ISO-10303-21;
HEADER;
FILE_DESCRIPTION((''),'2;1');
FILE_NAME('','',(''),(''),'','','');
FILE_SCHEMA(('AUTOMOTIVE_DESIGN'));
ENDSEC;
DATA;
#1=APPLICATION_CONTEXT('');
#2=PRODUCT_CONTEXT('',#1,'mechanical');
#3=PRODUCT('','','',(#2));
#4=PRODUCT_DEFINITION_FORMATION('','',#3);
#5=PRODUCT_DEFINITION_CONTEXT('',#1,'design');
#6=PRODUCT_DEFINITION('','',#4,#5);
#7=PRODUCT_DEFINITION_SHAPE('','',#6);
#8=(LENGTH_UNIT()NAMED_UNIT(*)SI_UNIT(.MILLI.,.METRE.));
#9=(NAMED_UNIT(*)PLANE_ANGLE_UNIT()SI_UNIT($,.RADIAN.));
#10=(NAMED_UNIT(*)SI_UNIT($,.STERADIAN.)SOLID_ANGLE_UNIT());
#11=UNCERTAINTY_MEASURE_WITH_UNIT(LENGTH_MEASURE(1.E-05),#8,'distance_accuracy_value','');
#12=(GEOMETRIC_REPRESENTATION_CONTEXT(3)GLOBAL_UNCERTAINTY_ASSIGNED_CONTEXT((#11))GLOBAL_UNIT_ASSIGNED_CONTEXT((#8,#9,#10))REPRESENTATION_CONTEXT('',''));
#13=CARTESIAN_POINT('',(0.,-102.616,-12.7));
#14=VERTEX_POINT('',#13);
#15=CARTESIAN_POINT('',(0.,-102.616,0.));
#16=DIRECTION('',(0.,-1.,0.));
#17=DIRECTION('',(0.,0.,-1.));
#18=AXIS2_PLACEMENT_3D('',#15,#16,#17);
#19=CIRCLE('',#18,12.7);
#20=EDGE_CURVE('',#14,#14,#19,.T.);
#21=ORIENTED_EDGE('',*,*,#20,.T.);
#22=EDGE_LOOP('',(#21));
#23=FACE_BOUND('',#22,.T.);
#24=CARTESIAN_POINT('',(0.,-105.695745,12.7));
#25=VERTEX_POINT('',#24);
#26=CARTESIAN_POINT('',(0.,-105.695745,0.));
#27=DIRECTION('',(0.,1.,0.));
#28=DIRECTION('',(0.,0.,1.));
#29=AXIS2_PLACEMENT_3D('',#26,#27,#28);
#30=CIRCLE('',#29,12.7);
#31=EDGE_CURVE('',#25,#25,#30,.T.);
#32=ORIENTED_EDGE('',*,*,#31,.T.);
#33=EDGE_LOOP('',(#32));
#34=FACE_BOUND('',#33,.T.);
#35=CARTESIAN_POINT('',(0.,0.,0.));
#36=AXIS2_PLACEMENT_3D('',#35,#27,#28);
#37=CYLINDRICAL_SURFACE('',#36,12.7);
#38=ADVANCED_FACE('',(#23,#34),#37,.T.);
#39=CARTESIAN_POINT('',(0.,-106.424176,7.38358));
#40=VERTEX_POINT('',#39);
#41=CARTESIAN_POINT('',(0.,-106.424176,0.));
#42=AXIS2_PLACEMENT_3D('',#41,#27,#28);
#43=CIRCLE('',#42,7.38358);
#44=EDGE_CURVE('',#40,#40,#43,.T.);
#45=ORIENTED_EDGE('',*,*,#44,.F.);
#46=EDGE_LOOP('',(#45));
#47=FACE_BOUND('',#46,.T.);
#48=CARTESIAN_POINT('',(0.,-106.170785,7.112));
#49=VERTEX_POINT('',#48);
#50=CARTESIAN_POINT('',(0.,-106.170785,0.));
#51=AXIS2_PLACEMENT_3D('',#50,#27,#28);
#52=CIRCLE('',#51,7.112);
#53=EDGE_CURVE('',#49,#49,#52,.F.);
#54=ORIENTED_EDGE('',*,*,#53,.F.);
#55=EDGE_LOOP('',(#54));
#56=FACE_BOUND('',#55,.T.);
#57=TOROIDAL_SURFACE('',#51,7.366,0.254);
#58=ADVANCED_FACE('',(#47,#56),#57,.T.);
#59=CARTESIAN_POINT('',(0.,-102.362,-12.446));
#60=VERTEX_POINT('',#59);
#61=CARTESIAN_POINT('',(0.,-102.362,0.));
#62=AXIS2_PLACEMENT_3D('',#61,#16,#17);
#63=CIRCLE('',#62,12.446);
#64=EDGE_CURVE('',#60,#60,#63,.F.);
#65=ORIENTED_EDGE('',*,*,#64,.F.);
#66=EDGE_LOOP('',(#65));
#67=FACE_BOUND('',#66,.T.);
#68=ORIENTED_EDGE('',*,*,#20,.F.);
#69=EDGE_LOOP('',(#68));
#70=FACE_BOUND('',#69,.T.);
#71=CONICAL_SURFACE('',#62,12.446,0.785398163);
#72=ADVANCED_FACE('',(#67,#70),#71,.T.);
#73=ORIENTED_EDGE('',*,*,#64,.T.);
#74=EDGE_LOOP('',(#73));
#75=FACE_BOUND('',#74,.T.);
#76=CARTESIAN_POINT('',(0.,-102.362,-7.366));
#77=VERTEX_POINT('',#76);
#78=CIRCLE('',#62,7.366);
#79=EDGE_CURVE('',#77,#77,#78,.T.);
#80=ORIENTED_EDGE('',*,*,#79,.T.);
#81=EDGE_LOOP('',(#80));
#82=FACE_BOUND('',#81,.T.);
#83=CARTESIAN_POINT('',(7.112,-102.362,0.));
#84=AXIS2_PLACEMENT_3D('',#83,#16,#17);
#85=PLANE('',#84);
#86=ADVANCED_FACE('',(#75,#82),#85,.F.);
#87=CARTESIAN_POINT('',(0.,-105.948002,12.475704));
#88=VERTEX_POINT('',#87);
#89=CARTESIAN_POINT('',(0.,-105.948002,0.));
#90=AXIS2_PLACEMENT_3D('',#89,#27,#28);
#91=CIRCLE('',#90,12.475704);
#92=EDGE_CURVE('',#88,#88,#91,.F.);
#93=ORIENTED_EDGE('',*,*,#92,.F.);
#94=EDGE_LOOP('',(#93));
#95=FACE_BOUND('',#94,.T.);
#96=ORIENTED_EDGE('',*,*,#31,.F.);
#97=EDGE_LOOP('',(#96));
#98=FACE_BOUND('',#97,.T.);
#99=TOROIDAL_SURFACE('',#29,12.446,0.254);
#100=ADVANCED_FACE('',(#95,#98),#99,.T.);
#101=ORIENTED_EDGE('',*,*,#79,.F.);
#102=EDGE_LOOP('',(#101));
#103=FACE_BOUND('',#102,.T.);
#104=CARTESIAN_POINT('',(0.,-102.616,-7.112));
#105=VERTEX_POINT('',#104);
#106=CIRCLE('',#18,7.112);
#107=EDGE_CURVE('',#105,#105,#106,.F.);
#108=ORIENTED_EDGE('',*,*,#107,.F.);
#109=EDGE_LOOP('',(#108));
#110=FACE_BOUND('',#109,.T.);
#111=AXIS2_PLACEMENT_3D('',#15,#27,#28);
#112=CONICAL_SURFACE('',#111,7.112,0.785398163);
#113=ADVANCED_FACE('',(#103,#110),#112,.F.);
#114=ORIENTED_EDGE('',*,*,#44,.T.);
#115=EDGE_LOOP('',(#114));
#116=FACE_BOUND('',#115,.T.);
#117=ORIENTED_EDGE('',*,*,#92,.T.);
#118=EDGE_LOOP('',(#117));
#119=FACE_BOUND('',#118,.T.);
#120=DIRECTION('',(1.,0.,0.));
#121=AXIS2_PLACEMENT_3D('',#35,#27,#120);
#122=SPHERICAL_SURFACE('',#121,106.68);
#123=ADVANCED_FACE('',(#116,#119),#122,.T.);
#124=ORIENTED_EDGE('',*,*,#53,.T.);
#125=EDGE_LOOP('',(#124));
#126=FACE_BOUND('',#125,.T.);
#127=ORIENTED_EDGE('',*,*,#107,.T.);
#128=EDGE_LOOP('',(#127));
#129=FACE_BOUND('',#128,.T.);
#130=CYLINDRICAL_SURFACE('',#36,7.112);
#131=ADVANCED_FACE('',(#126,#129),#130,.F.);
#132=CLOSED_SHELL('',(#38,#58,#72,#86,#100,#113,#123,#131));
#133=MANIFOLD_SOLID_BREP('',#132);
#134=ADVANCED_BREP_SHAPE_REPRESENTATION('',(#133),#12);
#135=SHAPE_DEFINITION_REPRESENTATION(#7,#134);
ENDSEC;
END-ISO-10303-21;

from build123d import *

# Parameters (mm, degrees)
CHAMFER1_SIZE = 0.254
FILLET4_R     = 0.254


with BuildPart() as part:
    # Sketch2 → Convex Revolve1 (revolve)
    with BuildSketch(Plane.XY, mode=Mode.PRIVATE) as convex_revolve1_sk:
        with BuildLine():
            Line((12.7, -102.362), (12.7, -105.921350067))
            ThreePointArc((12.7, -105.921350067), (9.909428815, -106.218763034), (7.112, -106.442669339))
            Line((7.112, -106.442669339), (7.112, -102.362))
            Line((7.112, -102.362), (12.7, -102.362))
        make_face()
    revolve(convex_revolve1_sk.sketch.rotate(Axis((0, 0, 0), (0, -1, 0)), 90), axis=Axis((0, 0, 0), (0, -1, 0)))  # turned: the seam where the file's is

    # Chamfer1
    chamfer1_edges = [part.edges().sort_by_distance(p)[0] for p in [
        (0, -102.362, -12.7),
        (0, -102.362, -7.112),
    ]]
    chamfer(chamfer1_edges, length=CHAMFER1_SIZE)

    # Fillet4
    fillet4_edges = [part.edges().sort_by_distance(p)[0] for p in [
        (0, -105.921350067, -12.7),
        (0, -106.442669339, -7.112),
    ]]
    fillet(fillet4_edges, radius=FILLET4_R)


solid = part.part
